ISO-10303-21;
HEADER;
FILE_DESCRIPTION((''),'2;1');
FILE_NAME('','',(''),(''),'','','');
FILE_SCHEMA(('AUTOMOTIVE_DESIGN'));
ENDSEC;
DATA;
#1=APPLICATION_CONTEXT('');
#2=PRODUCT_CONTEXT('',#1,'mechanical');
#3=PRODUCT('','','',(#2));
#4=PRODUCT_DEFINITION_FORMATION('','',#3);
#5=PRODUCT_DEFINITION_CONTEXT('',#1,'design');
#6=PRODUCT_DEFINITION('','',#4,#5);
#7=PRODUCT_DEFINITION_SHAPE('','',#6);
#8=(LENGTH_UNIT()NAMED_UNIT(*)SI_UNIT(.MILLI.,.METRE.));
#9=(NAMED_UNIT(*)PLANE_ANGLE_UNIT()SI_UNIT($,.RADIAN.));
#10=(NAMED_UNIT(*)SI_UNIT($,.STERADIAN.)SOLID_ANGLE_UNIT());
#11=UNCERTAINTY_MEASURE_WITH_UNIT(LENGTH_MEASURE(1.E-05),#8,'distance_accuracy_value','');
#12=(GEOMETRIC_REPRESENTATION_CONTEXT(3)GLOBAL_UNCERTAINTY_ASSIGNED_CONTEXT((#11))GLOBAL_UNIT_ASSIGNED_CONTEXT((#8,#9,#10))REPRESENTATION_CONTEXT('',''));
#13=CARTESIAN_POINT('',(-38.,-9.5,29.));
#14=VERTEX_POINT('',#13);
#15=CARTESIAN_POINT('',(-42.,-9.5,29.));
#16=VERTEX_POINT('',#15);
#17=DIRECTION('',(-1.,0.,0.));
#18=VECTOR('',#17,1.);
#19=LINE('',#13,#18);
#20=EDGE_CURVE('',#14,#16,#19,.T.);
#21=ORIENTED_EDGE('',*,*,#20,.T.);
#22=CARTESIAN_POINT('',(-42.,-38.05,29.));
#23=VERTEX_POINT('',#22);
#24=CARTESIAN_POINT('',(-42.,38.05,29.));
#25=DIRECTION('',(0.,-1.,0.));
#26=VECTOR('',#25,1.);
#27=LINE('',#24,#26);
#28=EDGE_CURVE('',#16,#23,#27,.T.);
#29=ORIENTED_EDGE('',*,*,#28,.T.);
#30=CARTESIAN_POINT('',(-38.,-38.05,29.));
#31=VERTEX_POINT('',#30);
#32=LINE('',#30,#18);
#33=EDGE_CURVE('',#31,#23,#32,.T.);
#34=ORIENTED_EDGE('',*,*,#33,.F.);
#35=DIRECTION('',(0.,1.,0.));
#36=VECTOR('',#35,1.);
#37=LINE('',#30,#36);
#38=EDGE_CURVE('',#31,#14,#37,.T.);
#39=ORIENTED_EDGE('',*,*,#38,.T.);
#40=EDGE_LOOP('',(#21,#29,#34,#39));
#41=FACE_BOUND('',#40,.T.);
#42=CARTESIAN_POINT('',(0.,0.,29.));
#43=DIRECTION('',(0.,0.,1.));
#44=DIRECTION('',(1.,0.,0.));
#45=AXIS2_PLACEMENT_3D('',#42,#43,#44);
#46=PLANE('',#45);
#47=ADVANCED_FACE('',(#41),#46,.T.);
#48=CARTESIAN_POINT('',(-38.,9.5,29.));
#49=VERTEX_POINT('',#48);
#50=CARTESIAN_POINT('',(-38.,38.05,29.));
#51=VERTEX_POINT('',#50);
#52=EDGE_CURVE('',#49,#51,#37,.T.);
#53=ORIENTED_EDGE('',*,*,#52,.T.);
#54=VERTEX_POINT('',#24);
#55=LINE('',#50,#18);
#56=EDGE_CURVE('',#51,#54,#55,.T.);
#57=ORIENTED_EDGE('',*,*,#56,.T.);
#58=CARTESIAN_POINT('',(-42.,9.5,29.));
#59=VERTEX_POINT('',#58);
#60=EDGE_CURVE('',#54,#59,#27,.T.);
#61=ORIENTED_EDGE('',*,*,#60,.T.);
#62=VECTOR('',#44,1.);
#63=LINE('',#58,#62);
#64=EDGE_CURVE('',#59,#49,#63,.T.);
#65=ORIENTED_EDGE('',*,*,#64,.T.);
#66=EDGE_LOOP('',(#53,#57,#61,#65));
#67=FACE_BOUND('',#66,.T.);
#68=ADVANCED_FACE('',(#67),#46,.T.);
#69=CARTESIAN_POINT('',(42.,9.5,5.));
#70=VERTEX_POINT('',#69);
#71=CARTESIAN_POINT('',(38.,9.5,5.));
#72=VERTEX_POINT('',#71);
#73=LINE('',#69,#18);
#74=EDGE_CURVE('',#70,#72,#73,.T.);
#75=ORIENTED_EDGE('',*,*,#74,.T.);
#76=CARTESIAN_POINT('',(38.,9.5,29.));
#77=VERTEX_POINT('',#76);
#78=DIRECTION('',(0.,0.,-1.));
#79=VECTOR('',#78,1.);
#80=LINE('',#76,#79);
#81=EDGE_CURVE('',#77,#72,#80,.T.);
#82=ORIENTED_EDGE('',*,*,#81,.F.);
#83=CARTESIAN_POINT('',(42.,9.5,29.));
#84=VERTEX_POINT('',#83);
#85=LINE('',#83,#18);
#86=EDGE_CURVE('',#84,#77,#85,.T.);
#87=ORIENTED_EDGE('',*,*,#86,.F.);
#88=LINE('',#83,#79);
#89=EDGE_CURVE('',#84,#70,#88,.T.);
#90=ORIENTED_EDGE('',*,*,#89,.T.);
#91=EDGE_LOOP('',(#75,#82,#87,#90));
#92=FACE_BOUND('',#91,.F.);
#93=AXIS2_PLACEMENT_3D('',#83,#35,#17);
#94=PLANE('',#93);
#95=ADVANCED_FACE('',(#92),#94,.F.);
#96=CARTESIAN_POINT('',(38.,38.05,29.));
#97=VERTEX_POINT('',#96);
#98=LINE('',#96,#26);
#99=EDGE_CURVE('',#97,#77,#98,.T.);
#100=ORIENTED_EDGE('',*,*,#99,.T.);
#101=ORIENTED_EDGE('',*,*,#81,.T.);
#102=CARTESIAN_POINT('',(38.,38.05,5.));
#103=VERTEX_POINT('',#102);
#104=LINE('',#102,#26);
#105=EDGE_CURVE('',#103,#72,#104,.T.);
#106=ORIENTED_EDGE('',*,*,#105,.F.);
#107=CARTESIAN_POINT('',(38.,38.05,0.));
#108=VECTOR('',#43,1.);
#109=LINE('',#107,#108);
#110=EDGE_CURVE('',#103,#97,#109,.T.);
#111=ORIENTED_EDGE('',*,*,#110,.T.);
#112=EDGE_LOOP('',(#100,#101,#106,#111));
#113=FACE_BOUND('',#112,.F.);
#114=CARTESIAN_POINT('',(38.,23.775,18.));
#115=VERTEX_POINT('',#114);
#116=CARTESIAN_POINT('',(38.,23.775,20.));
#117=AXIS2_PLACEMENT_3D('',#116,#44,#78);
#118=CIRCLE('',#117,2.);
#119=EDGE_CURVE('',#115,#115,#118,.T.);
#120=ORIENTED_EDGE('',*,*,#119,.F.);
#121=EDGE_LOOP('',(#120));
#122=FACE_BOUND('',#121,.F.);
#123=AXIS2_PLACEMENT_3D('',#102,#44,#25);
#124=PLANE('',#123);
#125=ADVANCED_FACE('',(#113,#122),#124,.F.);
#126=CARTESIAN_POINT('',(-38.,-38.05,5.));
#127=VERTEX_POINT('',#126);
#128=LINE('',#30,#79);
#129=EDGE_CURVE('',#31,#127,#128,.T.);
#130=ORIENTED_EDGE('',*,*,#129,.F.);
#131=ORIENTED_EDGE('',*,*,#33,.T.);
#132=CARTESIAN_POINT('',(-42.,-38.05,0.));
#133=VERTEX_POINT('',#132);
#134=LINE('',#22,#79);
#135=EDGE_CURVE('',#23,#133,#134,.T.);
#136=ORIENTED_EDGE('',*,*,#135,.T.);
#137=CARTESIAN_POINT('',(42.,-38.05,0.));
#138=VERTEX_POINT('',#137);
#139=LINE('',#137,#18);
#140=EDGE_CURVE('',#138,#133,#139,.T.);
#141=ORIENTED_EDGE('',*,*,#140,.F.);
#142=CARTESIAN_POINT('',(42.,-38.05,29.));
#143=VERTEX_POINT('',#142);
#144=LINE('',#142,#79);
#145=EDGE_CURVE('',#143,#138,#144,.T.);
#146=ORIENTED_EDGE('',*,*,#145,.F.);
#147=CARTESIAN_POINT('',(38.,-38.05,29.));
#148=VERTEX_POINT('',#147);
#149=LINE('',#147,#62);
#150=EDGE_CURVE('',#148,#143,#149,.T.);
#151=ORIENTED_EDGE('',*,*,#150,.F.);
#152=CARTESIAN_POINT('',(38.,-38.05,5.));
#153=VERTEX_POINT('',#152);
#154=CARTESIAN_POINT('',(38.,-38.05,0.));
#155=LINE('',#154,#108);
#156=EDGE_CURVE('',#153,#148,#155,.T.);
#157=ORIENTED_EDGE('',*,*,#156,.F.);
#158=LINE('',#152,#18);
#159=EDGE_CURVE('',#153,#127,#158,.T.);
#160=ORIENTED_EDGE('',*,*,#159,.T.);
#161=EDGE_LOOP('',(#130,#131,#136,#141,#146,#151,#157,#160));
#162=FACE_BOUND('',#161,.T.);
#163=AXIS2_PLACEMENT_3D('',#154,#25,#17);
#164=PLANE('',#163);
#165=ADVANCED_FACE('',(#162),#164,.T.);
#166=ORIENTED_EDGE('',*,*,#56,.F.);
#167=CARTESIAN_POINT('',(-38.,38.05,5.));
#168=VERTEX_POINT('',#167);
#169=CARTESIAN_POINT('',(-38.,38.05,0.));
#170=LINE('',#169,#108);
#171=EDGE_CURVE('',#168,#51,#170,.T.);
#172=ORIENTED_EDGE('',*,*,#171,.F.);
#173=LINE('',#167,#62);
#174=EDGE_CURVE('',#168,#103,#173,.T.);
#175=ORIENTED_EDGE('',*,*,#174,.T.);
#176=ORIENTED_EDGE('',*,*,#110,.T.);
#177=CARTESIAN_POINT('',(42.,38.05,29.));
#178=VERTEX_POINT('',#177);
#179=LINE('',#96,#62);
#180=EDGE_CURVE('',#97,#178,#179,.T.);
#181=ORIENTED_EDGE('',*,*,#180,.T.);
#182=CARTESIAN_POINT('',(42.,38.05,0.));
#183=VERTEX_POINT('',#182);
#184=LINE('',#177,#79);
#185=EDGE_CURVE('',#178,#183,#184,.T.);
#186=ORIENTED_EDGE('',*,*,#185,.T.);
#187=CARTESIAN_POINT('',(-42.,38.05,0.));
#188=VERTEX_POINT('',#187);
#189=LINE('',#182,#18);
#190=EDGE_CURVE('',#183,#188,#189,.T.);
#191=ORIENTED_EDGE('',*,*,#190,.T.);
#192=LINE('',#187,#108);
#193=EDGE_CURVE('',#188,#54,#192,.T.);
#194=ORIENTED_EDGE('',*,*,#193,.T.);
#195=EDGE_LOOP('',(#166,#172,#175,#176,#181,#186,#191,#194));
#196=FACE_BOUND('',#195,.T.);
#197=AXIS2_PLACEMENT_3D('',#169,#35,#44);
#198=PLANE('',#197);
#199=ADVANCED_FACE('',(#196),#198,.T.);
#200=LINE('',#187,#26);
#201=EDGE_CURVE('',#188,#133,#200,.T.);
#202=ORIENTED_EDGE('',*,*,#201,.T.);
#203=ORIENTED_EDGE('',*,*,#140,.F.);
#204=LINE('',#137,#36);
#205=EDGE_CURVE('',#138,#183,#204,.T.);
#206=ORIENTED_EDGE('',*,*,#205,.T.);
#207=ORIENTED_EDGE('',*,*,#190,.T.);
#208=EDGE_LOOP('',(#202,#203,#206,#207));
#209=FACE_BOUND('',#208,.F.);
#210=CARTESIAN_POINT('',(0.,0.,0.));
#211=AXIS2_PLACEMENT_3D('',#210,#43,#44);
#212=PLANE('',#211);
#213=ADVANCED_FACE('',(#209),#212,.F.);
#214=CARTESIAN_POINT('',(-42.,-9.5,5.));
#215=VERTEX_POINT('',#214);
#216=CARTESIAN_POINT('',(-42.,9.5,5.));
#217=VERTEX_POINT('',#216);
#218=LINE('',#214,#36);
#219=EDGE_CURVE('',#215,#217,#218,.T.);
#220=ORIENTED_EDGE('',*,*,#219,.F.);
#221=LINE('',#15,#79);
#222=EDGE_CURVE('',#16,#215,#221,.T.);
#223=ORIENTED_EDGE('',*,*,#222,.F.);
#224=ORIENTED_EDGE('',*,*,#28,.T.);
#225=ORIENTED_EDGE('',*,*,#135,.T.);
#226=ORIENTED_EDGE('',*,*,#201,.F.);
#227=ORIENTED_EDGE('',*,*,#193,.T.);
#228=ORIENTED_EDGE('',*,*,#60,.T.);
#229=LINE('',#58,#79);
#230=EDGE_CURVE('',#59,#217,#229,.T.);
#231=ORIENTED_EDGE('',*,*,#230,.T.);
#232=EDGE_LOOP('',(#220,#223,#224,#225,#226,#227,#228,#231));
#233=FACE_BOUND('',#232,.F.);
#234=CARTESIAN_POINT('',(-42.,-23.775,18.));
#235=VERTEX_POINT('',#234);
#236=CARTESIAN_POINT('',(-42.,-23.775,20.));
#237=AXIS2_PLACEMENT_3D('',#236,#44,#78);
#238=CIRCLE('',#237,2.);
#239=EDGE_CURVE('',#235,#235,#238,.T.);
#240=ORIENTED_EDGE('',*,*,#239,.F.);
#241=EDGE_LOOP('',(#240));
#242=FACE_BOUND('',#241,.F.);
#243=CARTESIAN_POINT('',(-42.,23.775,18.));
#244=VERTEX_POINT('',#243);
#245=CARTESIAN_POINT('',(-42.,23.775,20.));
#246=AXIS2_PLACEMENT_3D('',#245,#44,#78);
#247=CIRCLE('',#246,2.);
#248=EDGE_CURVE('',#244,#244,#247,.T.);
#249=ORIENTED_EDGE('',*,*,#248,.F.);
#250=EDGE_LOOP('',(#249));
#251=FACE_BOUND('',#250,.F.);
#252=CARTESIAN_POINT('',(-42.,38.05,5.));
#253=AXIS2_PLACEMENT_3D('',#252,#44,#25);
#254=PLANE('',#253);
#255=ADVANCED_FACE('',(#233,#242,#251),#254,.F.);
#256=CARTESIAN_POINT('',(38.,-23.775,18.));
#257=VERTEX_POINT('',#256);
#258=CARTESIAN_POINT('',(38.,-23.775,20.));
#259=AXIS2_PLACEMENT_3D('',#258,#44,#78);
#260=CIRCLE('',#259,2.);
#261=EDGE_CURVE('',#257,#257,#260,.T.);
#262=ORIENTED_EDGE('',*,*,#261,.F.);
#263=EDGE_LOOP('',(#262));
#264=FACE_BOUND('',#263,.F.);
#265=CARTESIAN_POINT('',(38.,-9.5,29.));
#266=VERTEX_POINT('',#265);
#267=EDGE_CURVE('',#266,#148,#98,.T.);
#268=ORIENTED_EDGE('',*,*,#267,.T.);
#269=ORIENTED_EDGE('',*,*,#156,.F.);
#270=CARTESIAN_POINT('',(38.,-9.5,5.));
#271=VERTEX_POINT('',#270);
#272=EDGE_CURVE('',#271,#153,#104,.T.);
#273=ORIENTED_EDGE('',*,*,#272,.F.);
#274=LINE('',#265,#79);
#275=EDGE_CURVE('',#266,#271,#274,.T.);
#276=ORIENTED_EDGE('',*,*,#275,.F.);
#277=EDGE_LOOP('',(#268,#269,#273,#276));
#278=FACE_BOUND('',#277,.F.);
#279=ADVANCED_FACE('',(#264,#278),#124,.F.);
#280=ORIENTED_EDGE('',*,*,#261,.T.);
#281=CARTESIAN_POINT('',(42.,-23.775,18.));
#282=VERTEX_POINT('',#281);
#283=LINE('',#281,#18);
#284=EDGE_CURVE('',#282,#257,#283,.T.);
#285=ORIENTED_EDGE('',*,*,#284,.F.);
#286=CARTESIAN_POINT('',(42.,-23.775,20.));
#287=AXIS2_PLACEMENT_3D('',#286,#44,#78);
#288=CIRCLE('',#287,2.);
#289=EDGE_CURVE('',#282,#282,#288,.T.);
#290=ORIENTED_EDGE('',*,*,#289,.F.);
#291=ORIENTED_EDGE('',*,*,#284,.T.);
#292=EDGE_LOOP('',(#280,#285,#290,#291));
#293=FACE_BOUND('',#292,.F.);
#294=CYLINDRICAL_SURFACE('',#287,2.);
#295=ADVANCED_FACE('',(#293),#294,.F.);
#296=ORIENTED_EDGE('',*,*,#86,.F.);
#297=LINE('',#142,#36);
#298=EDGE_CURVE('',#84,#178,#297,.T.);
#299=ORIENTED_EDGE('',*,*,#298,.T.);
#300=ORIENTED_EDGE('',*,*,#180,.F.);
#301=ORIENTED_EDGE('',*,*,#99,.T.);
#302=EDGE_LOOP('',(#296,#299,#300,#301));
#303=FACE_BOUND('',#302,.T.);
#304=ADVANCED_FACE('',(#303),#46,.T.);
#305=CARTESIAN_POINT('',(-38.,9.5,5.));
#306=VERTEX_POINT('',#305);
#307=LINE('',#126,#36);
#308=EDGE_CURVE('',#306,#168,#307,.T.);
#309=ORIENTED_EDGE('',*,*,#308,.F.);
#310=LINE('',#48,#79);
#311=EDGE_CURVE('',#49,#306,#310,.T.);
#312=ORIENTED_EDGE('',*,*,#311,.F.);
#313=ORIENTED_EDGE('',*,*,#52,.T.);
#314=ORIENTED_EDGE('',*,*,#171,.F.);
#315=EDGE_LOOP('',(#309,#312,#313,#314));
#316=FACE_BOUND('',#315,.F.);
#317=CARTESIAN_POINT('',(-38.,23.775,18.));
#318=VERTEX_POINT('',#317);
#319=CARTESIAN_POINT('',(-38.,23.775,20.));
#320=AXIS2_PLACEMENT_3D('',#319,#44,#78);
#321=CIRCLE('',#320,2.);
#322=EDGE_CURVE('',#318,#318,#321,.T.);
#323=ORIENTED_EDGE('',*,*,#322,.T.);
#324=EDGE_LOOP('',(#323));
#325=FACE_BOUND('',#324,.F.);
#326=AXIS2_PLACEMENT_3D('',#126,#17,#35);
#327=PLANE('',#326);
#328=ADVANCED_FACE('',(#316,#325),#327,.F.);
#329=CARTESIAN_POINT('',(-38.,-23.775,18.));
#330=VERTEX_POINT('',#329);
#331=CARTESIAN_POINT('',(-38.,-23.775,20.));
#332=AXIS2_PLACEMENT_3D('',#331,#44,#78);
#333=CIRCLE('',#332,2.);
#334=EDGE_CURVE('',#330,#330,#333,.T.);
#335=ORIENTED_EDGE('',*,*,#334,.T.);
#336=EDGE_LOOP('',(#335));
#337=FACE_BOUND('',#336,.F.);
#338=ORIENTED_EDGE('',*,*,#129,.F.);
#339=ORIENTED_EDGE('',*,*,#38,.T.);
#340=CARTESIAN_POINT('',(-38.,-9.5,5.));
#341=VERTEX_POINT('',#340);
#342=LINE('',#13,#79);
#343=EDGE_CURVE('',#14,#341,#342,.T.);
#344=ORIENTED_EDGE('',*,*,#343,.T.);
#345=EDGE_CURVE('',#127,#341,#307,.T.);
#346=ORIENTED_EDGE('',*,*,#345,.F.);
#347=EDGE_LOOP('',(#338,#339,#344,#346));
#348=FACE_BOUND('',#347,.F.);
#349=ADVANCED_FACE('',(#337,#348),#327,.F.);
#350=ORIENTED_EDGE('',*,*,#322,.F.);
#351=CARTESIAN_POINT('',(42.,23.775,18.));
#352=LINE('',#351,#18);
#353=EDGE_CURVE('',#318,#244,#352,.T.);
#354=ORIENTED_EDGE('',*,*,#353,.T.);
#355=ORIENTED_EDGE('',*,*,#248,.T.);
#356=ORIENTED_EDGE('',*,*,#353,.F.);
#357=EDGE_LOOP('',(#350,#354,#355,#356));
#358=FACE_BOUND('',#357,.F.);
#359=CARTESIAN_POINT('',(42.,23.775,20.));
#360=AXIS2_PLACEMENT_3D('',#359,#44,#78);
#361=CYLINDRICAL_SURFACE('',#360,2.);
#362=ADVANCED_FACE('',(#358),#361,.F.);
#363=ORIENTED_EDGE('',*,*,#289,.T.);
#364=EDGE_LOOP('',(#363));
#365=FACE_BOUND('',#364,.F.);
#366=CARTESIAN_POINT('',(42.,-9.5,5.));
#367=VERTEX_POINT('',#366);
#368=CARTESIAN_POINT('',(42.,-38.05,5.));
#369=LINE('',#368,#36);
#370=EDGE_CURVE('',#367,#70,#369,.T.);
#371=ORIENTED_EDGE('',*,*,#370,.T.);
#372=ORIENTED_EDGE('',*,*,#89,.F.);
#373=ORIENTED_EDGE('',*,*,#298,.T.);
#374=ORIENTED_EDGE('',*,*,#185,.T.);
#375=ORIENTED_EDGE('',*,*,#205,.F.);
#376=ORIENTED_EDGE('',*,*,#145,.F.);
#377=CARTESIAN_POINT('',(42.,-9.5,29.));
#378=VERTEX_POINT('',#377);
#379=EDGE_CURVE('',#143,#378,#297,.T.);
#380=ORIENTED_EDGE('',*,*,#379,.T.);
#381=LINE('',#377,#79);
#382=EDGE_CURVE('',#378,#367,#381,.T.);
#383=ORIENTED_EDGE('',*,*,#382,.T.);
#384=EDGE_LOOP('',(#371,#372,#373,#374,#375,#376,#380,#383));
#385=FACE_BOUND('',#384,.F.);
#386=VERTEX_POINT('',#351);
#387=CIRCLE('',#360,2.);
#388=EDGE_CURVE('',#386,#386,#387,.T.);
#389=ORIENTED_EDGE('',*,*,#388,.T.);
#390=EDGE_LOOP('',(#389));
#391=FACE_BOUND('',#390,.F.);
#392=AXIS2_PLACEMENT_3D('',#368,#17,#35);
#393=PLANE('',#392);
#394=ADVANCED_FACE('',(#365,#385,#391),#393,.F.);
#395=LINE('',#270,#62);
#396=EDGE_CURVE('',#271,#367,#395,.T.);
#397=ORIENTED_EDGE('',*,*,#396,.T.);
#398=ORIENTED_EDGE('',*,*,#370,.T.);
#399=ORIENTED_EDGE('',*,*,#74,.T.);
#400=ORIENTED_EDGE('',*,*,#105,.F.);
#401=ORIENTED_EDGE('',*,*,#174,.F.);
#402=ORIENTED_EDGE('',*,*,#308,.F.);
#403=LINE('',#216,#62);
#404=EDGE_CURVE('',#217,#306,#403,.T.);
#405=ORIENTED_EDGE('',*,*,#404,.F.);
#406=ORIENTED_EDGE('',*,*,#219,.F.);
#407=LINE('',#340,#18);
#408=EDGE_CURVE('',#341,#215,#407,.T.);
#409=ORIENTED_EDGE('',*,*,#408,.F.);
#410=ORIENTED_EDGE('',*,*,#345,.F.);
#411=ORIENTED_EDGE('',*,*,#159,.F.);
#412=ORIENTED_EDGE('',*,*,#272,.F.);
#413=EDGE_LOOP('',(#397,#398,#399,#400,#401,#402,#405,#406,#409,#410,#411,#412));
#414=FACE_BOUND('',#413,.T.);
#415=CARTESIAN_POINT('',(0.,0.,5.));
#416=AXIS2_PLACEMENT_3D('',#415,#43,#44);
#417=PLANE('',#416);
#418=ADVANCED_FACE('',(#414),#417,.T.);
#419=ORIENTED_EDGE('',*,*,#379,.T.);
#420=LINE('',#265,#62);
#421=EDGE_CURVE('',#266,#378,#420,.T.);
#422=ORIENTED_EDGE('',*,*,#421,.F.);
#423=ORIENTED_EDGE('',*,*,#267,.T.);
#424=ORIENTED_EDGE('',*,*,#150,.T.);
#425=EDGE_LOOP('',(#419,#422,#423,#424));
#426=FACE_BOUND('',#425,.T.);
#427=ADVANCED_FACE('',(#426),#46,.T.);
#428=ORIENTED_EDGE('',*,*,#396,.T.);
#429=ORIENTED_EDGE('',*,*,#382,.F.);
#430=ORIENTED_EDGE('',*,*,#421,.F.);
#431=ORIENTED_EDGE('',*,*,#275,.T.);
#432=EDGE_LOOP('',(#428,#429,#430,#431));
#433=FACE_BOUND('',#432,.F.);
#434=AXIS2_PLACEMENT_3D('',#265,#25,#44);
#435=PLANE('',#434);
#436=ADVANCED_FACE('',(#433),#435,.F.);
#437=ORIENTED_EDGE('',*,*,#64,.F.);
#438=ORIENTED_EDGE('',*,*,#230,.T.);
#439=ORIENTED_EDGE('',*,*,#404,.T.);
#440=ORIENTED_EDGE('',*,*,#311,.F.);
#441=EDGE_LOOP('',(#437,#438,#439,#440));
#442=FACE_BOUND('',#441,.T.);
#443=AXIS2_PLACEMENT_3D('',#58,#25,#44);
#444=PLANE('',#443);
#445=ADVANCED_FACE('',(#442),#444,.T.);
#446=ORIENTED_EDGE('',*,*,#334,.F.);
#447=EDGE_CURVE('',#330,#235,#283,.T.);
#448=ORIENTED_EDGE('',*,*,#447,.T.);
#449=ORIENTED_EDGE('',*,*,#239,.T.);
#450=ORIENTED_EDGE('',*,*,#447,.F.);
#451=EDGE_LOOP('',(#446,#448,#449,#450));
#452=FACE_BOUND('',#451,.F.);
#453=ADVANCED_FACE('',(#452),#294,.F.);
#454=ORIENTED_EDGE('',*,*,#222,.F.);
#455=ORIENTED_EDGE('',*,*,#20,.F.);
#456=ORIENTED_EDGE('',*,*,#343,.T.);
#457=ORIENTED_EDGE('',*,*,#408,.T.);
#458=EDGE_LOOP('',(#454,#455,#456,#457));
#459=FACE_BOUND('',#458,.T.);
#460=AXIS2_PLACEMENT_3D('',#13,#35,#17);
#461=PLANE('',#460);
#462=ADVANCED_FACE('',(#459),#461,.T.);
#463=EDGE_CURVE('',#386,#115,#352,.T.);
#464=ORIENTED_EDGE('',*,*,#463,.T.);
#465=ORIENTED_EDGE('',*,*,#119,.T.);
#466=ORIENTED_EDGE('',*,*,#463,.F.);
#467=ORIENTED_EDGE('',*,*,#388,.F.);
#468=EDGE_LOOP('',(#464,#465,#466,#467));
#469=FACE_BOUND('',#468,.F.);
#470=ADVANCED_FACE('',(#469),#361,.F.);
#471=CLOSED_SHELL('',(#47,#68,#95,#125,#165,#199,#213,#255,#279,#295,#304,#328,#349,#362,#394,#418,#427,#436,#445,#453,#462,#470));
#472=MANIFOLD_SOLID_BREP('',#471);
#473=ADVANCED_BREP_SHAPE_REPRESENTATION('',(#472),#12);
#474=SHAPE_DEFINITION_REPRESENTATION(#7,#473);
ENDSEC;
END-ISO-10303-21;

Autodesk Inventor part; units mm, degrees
ref_plane "YZ Plane" through (0, 0, 0) normal (1, 0, 0) x (0, 1, 0)
ref_plane "XZ Plane" through (0, 0, 0) normal (0, 1, 0) x (-1, 0, 0)
ref_plane "XY Plane" through (0, 0, 0) normal (0, 0, 1) x (1, 0, 0)
sketch "Эскиз1" plane through (0, 0, 0) normal (0, 0, 1) x (1, 0, 0)
  line L0 (-38, 52.38) -> (38, 52.38) construction
  line L1 (38, 52.38) -> (38, -52.38) construction
  line L2 (38, -52.38) -> (-38, -52.38) construction
  line L3 (-38, -52.38) -> (-38, 52.38) construction
  line L4 (-26.6205, -33.05) -> (26.6205, -33.05) construction
  line L5 (26.6205, -33.05) -> (26.6205, 33.05) construction
  line L6 (26.6205, 33.05) -> (-26.6205, 33.05) construction
  line L7 (-26.6205, 33.05) -> (-26.6205, -33.05) construction
  line L8 (0, 33.05) -> (0, 38.05) construction
  line L9 (0, -33.05) -> (0, -38.05) construction
  line L10 (-38, 38.05) -> (38, 38.05)
  line L11 (38, 38.05) -> (38, -38.05)
  line L12 (38, -38.05) -> (-38, -38.05)
  line L13 (-38, -38.05) -> (-38, 38.05)
  dimension "d0" = 76
  dimension "d1" = 104.76
  dimension "d2" = 53.241
  dimension "d3" = 66.1
  dimension "d4" = 5
  dimension "d5" = 5
extrude "Выдавливание1" add sketch "Эскиз1" along normal blind 5
sketch "Эскиз2" plane through (0, 0, 5) normal (0, 0, 1) x (1, 0, 0)
  line L0 (38, 38.05) -> (38, -38.05) projected
  line L1 (-38, -38.05) -> (-38, 38.05) projected
  line L2 (-38, 38.05) -> (-38, -38.05) projected
  line L3 (-38, -38.05) -> (-42, -38.05)
  line L4 (38, 38.05) -> (42, 38.05)
  line L5 (42, -38.05) -> (42, 38.05)
  line L6 (-42, 38.05) -> (-42, -38.05)
  line L7 (-38, -38.05) -> (-38, 38.05)
  line L8 (38, 38.05) -> (-38, 38.05) projected
  line L9 (38, 38.05) -> (38, -38.05)
  line L10 (42, 38.05) -> (38, 38.05)
  line L11 (-38, 38.05) -> (-42, 38.05)
  line L12 (-42, -38.05) -> (-38, -38.05)
  line L13 (38, -38.05) -> (42, -38.05)
  point P0 (0, 0)
  dimension "d8" = 4
  dimension "d9" = 4
extrude "Выдавливание2" add sketch "Эскиз2" along normal blind 24 and the other way blind 5
sketch "Эскиз3" plane through (0, 0, 29) normal (0, 0, 1) x (1, 0, 0)
  line L0 (38, 38.05) -> (38, -38.05) projected
  line L1 (38, -38.05) -> (42, -38.05) projected
  line L2 (42, -38.05) -> (42, 38.05) projected
  line L3 (42, 38.05) -> (38, 38.05) projected
  line L4 (42, 9.5) -> (38, 9.5)
  line L5 (38, 9.5) -> (38, -9.5)
  line L6 (38, -9.5) -> (42, -9.5)
  line L7 (42, -9.5) -> (42, 9.5)
  line L8 (42, 9.5) -> (38, -9.5) construction
  line L9 (38, 9.5) -> (42, -9.5) construction
  line L10 (0, 0) -> (0, -84) construction
  line L11 (-42, 9.5) -> (-38, 9.5)
  line L12 (-38, -9.5) -> (-42, -9.5)
  line L13 (-38, 9.5) -> (-38, -9.5) construction
  line L14 (-38, 38.05) -> (-38, -38.05) construction
  line L15 (-42, 9.5) -> (-42, -9.5) construction
  line L16 (-42, 38.05) -> (-42, -38.05) construction
  line L17 (-38, 9.5) -> (-38, -9.5)
  line L18 (-42, -9.5) -> (-42, 9.5)
  point P0 (40, 0)
  dimension "d14" = 4
  dimension "d15" = 19
extrude "Выдавливание3" cut sketch "Эскиз3" against normal up to surface (24 mm away) contours L4 L2 L6 L0 | L11 L17 L12 L18
sketch "Эскиз4" plane through (-42, 38.05, 0) normal (0, 1, 0) x (1, 0, 0)
  line L0 (0, 0) -> (84, 0) projected
  line L1 (0, 0) -> (0, -29) projected
  line L2 (4, -29) -> (0, -29) projected
  line L3 (4, -29) -> (4, -5) projected
  line L4 (80, -5) -> (4, -5) projected
  line L5 (80, -29) -> (80, -5) projected
  line L6 (84, -29) -> (80, -29) projected
  line L7 (84, 0) -> (84, -29) projected
  point P0 (42, 0)
sketch "Эскиз5" plane through (42, -38.05, 0) normal (1, 0, 0) x (0, 0, -1)
  line L0 (-29, 0) -> (-29, 28.55) projected
  line L1 (-29, 14.275) -> (-20, 14.275) construction
  circle A0 centre (-20, 14.275) radius 2
  line L2 (-5, 28.55) -> (-5, 47.55) construction
  line L3 (-5, 38.05) -> (-24.5, 38.05) construction
  circle A1 centre (-20, 61.825) radius 2
  point P0 (0, 38.05)
  dimension "d18" = 9
  dimension "d19" = 4
extrude "Выдавливание4" cut sketch "Эскиз5" against normal up to surface (84 mm away)
properties part number "Ard"
